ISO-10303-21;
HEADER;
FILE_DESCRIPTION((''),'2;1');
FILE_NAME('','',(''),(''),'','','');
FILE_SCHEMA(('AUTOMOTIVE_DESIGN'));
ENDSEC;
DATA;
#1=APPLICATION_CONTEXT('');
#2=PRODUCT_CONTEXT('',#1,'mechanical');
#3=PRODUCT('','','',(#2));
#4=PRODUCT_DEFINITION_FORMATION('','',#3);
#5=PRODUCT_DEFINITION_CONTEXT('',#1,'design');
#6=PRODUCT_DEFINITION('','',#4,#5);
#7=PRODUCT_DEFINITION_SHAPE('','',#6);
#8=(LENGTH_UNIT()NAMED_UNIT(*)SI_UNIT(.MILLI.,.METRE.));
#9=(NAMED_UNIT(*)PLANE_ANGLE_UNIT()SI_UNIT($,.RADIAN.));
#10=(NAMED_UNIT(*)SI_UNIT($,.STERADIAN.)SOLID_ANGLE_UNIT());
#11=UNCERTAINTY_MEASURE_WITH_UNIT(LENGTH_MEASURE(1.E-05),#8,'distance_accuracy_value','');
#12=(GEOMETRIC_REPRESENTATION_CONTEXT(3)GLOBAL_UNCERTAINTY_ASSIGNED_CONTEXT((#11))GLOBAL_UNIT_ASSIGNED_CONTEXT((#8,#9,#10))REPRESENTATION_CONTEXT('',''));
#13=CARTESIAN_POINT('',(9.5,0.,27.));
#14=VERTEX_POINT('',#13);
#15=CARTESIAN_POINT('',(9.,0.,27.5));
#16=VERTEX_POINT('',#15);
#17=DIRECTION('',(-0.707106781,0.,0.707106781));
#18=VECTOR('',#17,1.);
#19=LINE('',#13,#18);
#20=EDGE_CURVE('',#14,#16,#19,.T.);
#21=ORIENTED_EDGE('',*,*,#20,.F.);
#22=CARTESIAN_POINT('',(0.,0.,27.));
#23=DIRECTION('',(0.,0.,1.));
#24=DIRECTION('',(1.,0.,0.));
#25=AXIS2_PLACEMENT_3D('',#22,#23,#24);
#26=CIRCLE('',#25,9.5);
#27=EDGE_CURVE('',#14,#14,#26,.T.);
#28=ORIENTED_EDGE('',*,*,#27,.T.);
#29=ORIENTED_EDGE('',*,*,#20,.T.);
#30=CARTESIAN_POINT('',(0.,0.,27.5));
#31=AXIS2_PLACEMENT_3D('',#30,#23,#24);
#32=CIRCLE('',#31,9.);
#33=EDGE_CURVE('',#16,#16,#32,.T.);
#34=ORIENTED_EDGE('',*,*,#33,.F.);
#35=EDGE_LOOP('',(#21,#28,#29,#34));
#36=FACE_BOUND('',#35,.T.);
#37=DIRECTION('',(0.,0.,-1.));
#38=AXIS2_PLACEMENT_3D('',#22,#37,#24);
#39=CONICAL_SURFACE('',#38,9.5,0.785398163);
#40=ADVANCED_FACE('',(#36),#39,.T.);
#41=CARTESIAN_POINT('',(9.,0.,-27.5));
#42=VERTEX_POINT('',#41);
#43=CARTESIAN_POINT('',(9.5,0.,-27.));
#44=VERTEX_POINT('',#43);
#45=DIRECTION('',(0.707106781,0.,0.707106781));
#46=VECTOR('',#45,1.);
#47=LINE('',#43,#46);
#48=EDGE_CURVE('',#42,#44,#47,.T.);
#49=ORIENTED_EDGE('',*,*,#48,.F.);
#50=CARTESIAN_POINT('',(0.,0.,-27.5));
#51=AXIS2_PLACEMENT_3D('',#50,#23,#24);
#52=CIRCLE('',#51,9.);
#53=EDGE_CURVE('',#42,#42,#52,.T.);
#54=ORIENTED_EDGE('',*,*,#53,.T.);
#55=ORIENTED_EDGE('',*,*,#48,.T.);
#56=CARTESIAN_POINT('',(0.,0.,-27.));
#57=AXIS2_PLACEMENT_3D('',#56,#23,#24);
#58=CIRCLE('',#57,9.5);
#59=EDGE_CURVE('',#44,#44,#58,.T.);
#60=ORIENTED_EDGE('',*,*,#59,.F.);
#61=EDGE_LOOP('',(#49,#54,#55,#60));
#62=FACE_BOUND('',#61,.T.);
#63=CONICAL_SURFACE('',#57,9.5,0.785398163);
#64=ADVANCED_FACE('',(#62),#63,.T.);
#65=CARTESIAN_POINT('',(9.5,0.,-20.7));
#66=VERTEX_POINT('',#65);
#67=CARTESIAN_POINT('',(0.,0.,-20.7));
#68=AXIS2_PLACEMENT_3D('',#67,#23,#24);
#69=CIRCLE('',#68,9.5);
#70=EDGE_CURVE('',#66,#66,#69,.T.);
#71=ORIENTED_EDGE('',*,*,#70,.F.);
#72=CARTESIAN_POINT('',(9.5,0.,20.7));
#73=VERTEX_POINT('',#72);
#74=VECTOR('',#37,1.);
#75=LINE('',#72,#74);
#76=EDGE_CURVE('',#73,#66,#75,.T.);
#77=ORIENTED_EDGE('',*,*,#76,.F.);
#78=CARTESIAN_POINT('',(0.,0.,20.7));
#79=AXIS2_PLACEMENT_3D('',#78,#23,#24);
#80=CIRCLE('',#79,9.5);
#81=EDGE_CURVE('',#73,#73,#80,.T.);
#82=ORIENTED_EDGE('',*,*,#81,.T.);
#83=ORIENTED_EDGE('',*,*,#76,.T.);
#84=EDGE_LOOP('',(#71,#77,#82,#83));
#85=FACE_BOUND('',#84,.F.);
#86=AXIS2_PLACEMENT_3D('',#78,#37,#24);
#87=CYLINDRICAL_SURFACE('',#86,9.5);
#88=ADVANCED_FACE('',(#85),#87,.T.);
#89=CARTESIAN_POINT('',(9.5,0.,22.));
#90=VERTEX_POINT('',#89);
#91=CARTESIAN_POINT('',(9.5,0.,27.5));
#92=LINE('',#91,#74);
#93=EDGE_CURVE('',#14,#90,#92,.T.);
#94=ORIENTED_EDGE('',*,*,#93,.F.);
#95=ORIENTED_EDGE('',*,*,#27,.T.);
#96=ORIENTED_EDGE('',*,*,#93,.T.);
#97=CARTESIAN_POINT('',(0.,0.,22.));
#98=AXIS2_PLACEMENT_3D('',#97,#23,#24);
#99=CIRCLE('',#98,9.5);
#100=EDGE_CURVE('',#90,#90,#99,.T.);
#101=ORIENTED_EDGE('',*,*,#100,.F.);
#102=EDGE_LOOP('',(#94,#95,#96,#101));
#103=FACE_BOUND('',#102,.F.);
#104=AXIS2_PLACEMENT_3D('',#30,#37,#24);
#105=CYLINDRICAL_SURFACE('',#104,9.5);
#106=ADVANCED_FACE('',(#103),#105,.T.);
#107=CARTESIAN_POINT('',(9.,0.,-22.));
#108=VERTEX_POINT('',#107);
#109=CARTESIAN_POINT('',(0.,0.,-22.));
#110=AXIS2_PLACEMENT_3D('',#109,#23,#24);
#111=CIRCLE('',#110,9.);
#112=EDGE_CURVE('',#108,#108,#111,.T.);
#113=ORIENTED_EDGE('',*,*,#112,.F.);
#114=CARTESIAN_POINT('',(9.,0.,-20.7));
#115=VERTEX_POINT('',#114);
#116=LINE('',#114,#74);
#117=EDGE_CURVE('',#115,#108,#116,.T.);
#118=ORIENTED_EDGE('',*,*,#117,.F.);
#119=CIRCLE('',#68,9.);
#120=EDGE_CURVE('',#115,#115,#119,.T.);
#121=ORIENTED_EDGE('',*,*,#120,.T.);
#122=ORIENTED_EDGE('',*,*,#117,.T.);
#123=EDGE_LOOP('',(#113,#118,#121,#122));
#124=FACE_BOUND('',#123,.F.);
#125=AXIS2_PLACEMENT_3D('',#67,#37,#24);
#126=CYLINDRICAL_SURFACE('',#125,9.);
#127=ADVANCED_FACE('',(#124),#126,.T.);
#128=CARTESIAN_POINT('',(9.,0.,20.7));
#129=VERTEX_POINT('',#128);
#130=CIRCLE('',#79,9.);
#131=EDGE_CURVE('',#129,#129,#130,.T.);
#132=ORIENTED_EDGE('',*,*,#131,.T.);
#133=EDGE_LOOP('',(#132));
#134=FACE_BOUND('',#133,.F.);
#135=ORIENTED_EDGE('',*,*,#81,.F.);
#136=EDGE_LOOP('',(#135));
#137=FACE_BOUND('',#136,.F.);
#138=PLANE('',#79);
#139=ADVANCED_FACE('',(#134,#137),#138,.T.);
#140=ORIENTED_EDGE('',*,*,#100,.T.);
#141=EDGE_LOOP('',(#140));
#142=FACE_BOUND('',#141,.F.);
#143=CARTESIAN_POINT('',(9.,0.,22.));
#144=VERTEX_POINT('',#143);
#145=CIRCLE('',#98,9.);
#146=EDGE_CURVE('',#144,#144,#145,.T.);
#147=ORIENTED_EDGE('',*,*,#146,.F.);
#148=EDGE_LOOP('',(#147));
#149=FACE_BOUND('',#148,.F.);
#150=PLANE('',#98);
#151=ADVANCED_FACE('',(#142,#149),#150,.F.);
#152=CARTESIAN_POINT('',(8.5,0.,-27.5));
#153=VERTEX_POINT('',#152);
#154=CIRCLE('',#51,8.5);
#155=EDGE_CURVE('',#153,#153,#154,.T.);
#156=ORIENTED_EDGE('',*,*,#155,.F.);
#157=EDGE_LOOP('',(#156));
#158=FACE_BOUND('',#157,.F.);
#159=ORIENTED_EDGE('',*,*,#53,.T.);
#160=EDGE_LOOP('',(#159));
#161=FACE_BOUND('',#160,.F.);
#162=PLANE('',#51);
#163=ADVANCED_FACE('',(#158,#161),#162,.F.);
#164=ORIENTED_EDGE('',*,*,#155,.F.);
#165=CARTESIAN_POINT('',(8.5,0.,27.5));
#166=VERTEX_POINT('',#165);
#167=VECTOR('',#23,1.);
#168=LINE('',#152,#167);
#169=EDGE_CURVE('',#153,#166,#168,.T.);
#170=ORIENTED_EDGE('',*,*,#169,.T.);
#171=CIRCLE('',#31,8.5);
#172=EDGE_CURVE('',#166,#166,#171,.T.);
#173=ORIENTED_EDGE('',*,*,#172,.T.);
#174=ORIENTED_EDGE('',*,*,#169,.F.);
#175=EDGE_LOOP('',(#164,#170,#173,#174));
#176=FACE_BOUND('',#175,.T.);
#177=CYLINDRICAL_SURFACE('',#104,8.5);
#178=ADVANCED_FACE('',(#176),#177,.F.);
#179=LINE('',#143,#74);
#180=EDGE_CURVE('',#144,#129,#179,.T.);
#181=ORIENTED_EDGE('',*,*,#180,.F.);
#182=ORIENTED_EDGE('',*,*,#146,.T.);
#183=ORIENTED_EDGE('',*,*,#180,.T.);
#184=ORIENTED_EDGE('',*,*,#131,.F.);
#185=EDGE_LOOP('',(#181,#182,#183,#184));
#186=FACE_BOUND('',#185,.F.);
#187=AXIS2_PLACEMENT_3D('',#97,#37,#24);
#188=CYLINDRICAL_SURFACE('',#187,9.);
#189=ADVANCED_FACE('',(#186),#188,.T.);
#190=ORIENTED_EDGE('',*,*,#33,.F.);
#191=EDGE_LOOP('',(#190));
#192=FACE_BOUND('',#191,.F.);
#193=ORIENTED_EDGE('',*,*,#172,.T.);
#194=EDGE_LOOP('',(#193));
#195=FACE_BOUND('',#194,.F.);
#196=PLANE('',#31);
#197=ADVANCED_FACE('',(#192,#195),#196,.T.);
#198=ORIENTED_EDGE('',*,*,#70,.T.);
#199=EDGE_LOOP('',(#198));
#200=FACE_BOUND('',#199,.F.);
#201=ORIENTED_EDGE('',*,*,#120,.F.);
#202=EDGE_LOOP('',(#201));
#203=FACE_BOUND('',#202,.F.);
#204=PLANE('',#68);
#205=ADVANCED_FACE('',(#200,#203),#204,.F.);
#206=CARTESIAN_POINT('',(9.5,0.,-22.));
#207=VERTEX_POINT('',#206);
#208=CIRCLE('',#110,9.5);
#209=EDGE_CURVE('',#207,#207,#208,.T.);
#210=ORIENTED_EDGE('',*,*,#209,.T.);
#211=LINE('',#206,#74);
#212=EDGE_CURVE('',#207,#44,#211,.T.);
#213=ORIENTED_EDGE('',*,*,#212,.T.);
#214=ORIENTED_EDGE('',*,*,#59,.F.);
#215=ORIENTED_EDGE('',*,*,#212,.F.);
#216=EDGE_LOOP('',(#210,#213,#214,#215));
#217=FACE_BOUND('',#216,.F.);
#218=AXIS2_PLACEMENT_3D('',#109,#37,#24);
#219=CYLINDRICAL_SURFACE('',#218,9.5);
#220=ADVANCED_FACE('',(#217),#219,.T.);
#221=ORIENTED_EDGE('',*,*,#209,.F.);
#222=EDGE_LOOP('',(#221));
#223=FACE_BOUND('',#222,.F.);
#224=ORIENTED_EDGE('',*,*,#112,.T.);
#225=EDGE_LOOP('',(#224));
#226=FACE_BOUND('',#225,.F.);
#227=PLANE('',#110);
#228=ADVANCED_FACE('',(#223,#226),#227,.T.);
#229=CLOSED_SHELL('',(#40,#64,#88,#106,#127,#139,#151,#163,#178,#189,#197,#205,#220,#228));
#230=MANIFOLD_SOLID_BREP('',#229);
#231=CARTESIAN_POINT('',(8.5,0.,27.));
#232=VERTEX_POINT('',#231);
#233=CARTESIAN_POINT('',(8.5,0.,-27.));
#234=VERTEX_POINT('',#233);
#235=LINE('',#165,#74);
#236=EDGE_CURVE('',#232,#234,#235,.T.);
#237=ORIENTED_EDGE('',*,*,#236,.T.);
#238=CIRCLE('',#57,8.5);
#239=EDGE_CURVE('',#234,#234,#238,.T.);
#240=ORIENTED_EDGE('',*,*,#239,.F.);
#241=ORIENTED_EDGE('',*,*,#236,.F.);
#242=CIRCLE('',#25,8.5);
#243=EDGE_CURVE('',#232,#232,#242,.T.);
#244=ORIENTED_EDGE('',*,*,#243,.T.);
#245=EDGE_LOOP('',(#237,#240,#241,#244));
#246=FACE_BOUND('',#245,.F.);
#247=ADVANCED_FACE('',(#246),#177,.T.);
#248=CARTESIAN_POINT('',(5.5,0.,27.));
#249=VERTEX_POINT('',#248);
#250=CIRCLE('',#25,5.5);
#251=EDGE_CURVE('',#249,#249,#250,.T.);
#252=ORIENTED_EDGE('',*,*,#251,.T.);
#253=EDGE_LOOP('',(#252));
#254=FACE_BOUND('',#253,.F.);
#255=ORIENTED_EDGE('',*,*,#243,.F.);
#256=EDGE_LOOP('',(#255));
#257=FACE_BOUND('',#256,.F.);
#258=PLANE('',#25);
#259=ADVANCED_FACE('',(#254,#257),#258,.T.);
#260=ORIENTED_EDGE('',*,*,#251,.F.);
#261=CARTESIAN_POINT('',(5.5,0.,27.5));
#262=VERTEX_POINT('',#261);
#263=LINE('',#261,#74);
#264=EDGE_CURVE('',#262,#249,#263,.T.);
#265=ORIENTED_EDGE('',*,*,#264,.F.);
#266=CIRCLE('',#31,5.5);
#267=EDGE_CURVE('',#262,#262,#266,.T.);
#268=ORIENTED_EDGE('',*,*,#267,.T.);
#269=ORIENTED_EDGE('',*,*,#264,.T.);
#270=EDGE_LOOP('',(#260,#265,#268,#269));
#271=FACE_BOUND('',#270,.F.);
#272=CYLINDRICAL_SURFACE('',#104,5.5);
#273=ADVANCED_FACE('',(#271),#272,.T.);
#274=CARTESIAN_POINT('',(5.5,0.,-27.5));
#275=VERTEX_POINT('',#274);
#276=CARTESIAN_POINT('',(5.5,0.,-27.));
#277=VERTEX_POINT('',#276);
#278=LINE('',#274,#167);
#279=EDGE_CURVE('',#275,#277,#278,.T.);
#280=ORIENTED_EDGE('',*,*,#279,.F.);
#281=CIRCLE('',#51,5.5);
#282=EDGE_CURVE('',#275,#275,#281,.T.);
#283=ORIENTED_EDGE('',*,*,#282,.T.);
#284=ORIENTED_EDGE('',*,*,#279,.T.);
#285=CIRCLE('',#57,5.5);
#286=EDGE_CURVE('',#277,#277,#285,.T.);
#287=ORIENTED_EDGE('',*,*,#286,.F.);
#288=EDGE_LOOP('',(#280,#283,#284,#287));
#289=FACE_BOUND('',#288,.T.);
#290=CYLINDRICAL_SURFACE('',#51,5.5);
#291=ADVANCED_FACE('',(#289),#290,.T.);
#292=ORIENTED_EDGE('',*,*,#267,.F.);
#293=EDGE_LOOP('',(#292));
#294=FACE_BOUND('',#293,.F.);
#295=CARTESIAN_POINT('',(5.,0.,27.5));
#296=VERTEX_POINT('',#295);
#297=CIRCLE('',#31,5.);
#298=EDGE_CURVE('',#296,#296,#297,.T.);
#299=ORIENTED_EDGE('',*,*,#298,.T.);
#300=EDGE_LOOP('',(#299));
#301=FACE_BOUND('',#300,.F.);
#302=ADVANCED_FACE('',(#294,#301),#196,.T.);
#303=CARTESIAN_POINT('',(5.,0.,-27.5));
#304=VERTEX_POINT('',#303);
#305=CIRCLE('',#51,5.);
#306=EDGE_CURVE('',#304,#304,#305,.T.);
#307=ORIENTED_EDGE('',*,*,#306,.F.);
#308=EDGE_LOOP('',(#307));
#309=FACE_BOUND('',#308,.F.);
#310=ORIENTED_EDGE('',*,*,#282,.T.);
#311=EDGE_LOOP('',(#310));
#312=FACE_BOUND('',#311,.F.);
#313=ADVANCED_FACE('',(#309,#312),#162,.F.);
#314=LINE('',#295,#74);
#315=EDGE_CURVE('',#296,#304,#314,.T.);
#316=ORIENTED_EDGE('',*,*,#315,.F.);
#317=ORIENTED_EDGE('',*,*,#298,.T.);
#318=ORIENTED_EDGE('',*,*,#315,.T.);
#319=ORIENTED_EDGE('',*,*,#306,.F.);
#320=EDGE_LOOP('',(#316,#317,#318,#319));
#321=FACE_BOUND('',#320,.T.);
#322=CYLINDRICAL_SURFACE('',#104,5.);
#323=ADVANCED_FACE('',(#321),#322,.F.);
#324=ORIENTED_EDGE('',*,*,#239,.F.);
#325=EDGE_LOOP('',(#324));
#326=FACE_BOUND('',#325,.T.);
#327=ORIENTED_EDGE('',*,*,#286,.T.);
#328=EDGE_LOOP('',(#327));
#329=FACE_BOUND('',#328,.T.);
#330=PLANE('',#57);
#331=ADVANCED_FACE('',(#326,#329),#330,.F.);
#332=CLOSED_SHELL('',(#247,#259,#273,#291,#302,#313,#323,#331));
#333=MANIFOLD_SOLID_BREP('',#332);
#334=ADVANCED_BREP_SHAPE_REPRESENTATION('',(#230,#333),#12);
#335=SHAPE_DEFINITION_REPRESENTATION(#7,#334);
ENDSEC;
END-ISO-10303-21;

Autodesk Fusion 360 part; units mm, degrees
sketch "スケッチ1" plane through (0, 0, 0) normal (0, 1, 0) x (1, 0, 0)
  line L0 (0, 0) -> (0, -27.5)
  line L1 (0, -27.5) -> (9.5, -27.5)
  line L2 (9.5, -27.5) -> (9.5, -22)
  line L3 (9.5, -22) -> (9, -22)
  line L4 (9, -22) -> (9, -20.7)
  line L5 (9, -20.7) -> (9.5, -20.7)
  line L6 (9.5, -20.7) -> (9.5, 20.7)
  line L7 (9.5, 20.7) -> (9, 20.7)
  line L8 (9, 20.7) -> (9, 22)
  line L9 (9, 22) -> (9.5, 22)
  line L10 (9.5, 22) -> (9.5, 27.5)
  line L11 (9.5, 27.5) -> (0, 27.5)
  line L12 (0, 27.5) -> (0, 0)
  line L13 (8.5, -27.5) -> (8.5, 27.5)
  line L14 (5.5, -27.5) -> (5.5, -27)
  line L15 (5.5, -27) -> (8.5, -27)
  line L16 (5, -27.5) -> (5, 27.5)
  line L17 (5.5, 27.5) -> (5.5, 27)
  line L18 (5.5, 27) -> (8.5, 27)
  dimension "d1" = 9.5
  dimension "d2" = 27.5
  dimension "d3" = 27.5
  dimension "d4" = 9
  dimension "d5" = 5.5
  dimension "d6" = 1.3
  dimension "d7" = 5.5
  dimension "d8" = 1.3
  dimension "d9" = 8.5
  dimension "d10" = 5
  dimension "d11" = 0.5
  dimension "d12" = 0.5
  dimension "d13" = 0.5
revolve "回転1" add sketch "スケッチ1" angle 360 about axis through (0, 0, 0) along (0, 0, 1) contours L1 L11 L13 L14 L15 L16 L17 L18 makes body 1
revolve "回転2" add sketch "スケッチ1" angle 360 about axis through (0, 0, 1.75) along (0, 0, 1) separate body contours L1 L2 L3 L4 L5 L6 L7 L8 L9 L10 L11 L13 makes body 2
chamfer "面取り1" distance 0.5 angle 45 2 edges at (-8.8571, -3.4353, 27.5) (-8.8571, -3.4353, -27.5) on bodies 2
equation "d2 = ( 55 / 2 ) * 1 mm"
equation "d3 = d2"
equation "d7 = d5"
equation "d8 = d6"
equation "d13 = d12"
